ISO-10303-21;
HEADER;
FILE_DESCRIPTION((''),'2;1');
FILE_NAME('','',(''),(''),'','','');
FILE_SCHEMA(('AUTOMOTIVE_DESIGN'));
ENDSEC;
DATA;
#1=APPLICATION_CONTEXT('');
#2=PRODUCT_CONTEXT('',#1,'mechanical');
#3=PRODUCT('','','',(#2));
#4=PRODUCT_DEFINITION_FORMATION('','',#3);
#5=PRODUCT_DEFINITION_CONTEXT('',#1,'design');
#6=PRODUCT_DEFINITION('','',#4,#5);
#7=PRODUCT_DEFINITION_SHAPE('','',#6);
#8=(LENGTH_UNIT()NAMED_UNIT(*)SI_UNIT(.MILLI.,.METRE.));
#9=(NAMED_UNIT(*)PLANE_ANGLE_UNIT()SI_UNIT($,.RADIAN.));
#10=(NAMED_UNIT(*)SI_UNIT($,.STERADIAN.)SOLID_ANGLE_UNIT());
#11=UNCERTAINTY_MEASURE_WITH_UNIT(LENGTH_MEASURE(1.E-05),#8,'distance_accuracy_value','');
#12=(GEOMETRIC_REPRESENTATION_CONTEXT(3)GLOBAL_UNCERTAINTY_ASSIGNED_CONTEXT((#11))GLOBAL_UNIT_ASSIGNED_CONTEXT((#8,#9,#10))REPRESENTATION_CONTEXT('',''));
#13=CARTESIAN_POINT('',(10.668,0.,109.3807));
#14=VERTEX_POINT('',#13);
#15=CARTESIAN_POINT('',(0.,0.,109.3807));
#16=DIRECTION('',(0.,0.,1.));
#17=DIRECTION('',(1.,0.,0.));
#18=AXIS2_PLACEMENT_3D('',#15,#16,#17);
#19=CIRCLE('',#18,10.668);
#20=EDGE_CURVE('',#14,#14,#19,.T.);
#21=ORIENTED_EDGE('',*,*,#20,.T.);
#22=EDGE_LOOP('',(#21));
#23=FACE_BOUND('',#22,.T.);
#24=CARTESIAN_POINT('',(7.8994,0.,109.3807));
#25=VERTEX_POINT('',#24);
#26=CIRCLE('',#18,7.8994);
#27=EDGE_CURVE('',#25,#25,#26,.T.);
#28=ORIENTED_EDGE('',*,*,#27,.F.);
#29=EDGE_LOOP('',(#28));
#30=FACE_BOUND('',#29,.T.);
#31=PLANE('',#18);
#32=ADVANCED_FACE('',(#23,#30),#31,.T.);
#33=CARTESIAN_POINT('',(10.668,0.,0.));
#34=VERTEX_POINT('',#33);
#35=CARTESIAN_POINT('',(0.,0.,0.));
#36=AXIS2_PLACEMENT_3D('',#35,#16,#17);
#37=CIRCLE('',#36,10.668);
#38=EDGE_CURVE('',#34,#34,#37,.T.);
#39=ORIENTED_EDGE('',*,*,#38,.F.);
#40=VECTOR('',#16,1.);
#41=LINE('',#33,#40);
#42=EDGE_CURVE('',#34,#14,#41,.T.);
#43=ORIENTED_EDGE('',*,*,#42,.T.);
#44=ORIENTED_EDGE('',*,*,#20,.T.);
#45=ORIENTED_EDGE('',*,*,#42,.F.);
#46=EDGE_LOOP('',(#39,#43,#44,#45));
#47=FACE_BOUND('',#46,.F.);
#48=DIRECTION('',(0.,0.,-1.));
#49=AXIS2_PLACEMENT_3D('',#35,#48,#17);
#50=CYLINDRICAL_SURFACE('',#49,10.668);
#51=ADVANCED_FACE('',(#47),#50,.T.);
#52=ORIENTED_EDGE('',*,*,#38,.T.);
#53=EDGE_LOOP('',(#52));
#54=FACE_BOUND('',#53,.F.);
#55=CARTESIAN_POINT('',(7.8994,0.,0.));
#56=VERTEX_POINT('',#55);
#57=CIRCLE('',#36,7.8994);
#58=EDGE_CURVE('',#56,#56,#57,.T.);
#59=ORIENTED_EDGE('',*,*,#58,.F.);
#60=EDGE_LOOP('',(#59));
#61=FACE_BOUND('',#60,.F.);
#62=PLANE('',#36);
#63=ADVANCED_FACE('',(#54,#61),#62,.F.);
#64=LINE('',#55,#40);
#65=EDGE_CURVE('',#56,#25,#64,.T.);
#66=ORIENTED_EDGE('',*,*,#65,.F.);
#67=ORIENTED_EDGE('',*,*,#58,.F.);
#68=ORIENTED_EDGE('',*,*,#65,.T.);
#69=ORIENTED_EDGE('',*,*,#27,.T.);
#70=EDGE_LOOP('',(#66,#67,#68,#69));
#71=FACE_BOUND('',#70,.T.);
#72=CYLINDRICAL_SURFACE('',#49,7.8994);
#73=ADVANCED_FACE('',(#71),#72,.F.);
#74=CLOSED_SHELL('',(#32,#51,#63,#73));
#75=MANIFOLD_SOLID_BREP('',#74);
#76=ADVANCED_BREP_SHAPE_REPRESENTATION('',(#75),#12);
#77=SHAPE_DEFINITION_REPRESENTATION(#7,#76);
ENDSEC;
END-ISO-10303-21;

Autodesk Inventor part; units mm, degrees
ref_plane "YZ Plane" through (0, 0, 0) normal (1, 0, 0) x (0, 1, 0)
ref_plane "Start Plane" through (0, 0, 0) normal (0, 0, 1) x (1, 0, 0)
ref_plane "End Plane" through (0, 0, 109.3807) normal (0, 0, 1) x (1, 0, 0)
sketch "Sketch" plane through (0, 0, 0) normal (0, 0, 1) x (1, 0, 0)
  circle A0 centre (0, 0) radius 7.8994
  circle A1 centre (0, 0) radius 10.668
  dimension "d0" = 21.336
  dimension "d1" = 2.7686
extrude "Body" add sketch "Sketch" along normal up to surface (109.3807 mm away) from surface at 0
sketch "Sketch3" plane through (0, 0, 0) normal (0, 0, 1) x (1, 0, 0)
  line L0 (0, 0) -> (10, 0)
ref_plane "Work Plane3" through (0, 0, 0) normal (0, -1, 0) x (1, 0, 0)
sketch "Sketch4" plane through (0, 0, 0) normal (0, -1, 0) x (1, 0, 0)
  line L0 (-2, 0) -> (12, 0) projected
  line L1 (-2, 109.3807) -> (12, 109.3807) projected
  dimension "d7" = 109.3807
equation "\"d0\" = G_H"
equation "\"d1\" = G_T"
equation "\"d2\" = G_L"
equation "\"G_H\" = 21.336"
equation "\"G_T\" = 2.7686"
equation "\"G_L\" = d7"
equation "\"G_OFFSET_START\" = 0"
equation "\"G_OFFSET_END\" = 0"
equation "\"d5\" = G_OFFSET_END + B_L"
equation "\"B_L\" = 109.38066"
properties part number "ANSI - 1/2 x 0.109 - 4.306" material "Steel, Mild"
